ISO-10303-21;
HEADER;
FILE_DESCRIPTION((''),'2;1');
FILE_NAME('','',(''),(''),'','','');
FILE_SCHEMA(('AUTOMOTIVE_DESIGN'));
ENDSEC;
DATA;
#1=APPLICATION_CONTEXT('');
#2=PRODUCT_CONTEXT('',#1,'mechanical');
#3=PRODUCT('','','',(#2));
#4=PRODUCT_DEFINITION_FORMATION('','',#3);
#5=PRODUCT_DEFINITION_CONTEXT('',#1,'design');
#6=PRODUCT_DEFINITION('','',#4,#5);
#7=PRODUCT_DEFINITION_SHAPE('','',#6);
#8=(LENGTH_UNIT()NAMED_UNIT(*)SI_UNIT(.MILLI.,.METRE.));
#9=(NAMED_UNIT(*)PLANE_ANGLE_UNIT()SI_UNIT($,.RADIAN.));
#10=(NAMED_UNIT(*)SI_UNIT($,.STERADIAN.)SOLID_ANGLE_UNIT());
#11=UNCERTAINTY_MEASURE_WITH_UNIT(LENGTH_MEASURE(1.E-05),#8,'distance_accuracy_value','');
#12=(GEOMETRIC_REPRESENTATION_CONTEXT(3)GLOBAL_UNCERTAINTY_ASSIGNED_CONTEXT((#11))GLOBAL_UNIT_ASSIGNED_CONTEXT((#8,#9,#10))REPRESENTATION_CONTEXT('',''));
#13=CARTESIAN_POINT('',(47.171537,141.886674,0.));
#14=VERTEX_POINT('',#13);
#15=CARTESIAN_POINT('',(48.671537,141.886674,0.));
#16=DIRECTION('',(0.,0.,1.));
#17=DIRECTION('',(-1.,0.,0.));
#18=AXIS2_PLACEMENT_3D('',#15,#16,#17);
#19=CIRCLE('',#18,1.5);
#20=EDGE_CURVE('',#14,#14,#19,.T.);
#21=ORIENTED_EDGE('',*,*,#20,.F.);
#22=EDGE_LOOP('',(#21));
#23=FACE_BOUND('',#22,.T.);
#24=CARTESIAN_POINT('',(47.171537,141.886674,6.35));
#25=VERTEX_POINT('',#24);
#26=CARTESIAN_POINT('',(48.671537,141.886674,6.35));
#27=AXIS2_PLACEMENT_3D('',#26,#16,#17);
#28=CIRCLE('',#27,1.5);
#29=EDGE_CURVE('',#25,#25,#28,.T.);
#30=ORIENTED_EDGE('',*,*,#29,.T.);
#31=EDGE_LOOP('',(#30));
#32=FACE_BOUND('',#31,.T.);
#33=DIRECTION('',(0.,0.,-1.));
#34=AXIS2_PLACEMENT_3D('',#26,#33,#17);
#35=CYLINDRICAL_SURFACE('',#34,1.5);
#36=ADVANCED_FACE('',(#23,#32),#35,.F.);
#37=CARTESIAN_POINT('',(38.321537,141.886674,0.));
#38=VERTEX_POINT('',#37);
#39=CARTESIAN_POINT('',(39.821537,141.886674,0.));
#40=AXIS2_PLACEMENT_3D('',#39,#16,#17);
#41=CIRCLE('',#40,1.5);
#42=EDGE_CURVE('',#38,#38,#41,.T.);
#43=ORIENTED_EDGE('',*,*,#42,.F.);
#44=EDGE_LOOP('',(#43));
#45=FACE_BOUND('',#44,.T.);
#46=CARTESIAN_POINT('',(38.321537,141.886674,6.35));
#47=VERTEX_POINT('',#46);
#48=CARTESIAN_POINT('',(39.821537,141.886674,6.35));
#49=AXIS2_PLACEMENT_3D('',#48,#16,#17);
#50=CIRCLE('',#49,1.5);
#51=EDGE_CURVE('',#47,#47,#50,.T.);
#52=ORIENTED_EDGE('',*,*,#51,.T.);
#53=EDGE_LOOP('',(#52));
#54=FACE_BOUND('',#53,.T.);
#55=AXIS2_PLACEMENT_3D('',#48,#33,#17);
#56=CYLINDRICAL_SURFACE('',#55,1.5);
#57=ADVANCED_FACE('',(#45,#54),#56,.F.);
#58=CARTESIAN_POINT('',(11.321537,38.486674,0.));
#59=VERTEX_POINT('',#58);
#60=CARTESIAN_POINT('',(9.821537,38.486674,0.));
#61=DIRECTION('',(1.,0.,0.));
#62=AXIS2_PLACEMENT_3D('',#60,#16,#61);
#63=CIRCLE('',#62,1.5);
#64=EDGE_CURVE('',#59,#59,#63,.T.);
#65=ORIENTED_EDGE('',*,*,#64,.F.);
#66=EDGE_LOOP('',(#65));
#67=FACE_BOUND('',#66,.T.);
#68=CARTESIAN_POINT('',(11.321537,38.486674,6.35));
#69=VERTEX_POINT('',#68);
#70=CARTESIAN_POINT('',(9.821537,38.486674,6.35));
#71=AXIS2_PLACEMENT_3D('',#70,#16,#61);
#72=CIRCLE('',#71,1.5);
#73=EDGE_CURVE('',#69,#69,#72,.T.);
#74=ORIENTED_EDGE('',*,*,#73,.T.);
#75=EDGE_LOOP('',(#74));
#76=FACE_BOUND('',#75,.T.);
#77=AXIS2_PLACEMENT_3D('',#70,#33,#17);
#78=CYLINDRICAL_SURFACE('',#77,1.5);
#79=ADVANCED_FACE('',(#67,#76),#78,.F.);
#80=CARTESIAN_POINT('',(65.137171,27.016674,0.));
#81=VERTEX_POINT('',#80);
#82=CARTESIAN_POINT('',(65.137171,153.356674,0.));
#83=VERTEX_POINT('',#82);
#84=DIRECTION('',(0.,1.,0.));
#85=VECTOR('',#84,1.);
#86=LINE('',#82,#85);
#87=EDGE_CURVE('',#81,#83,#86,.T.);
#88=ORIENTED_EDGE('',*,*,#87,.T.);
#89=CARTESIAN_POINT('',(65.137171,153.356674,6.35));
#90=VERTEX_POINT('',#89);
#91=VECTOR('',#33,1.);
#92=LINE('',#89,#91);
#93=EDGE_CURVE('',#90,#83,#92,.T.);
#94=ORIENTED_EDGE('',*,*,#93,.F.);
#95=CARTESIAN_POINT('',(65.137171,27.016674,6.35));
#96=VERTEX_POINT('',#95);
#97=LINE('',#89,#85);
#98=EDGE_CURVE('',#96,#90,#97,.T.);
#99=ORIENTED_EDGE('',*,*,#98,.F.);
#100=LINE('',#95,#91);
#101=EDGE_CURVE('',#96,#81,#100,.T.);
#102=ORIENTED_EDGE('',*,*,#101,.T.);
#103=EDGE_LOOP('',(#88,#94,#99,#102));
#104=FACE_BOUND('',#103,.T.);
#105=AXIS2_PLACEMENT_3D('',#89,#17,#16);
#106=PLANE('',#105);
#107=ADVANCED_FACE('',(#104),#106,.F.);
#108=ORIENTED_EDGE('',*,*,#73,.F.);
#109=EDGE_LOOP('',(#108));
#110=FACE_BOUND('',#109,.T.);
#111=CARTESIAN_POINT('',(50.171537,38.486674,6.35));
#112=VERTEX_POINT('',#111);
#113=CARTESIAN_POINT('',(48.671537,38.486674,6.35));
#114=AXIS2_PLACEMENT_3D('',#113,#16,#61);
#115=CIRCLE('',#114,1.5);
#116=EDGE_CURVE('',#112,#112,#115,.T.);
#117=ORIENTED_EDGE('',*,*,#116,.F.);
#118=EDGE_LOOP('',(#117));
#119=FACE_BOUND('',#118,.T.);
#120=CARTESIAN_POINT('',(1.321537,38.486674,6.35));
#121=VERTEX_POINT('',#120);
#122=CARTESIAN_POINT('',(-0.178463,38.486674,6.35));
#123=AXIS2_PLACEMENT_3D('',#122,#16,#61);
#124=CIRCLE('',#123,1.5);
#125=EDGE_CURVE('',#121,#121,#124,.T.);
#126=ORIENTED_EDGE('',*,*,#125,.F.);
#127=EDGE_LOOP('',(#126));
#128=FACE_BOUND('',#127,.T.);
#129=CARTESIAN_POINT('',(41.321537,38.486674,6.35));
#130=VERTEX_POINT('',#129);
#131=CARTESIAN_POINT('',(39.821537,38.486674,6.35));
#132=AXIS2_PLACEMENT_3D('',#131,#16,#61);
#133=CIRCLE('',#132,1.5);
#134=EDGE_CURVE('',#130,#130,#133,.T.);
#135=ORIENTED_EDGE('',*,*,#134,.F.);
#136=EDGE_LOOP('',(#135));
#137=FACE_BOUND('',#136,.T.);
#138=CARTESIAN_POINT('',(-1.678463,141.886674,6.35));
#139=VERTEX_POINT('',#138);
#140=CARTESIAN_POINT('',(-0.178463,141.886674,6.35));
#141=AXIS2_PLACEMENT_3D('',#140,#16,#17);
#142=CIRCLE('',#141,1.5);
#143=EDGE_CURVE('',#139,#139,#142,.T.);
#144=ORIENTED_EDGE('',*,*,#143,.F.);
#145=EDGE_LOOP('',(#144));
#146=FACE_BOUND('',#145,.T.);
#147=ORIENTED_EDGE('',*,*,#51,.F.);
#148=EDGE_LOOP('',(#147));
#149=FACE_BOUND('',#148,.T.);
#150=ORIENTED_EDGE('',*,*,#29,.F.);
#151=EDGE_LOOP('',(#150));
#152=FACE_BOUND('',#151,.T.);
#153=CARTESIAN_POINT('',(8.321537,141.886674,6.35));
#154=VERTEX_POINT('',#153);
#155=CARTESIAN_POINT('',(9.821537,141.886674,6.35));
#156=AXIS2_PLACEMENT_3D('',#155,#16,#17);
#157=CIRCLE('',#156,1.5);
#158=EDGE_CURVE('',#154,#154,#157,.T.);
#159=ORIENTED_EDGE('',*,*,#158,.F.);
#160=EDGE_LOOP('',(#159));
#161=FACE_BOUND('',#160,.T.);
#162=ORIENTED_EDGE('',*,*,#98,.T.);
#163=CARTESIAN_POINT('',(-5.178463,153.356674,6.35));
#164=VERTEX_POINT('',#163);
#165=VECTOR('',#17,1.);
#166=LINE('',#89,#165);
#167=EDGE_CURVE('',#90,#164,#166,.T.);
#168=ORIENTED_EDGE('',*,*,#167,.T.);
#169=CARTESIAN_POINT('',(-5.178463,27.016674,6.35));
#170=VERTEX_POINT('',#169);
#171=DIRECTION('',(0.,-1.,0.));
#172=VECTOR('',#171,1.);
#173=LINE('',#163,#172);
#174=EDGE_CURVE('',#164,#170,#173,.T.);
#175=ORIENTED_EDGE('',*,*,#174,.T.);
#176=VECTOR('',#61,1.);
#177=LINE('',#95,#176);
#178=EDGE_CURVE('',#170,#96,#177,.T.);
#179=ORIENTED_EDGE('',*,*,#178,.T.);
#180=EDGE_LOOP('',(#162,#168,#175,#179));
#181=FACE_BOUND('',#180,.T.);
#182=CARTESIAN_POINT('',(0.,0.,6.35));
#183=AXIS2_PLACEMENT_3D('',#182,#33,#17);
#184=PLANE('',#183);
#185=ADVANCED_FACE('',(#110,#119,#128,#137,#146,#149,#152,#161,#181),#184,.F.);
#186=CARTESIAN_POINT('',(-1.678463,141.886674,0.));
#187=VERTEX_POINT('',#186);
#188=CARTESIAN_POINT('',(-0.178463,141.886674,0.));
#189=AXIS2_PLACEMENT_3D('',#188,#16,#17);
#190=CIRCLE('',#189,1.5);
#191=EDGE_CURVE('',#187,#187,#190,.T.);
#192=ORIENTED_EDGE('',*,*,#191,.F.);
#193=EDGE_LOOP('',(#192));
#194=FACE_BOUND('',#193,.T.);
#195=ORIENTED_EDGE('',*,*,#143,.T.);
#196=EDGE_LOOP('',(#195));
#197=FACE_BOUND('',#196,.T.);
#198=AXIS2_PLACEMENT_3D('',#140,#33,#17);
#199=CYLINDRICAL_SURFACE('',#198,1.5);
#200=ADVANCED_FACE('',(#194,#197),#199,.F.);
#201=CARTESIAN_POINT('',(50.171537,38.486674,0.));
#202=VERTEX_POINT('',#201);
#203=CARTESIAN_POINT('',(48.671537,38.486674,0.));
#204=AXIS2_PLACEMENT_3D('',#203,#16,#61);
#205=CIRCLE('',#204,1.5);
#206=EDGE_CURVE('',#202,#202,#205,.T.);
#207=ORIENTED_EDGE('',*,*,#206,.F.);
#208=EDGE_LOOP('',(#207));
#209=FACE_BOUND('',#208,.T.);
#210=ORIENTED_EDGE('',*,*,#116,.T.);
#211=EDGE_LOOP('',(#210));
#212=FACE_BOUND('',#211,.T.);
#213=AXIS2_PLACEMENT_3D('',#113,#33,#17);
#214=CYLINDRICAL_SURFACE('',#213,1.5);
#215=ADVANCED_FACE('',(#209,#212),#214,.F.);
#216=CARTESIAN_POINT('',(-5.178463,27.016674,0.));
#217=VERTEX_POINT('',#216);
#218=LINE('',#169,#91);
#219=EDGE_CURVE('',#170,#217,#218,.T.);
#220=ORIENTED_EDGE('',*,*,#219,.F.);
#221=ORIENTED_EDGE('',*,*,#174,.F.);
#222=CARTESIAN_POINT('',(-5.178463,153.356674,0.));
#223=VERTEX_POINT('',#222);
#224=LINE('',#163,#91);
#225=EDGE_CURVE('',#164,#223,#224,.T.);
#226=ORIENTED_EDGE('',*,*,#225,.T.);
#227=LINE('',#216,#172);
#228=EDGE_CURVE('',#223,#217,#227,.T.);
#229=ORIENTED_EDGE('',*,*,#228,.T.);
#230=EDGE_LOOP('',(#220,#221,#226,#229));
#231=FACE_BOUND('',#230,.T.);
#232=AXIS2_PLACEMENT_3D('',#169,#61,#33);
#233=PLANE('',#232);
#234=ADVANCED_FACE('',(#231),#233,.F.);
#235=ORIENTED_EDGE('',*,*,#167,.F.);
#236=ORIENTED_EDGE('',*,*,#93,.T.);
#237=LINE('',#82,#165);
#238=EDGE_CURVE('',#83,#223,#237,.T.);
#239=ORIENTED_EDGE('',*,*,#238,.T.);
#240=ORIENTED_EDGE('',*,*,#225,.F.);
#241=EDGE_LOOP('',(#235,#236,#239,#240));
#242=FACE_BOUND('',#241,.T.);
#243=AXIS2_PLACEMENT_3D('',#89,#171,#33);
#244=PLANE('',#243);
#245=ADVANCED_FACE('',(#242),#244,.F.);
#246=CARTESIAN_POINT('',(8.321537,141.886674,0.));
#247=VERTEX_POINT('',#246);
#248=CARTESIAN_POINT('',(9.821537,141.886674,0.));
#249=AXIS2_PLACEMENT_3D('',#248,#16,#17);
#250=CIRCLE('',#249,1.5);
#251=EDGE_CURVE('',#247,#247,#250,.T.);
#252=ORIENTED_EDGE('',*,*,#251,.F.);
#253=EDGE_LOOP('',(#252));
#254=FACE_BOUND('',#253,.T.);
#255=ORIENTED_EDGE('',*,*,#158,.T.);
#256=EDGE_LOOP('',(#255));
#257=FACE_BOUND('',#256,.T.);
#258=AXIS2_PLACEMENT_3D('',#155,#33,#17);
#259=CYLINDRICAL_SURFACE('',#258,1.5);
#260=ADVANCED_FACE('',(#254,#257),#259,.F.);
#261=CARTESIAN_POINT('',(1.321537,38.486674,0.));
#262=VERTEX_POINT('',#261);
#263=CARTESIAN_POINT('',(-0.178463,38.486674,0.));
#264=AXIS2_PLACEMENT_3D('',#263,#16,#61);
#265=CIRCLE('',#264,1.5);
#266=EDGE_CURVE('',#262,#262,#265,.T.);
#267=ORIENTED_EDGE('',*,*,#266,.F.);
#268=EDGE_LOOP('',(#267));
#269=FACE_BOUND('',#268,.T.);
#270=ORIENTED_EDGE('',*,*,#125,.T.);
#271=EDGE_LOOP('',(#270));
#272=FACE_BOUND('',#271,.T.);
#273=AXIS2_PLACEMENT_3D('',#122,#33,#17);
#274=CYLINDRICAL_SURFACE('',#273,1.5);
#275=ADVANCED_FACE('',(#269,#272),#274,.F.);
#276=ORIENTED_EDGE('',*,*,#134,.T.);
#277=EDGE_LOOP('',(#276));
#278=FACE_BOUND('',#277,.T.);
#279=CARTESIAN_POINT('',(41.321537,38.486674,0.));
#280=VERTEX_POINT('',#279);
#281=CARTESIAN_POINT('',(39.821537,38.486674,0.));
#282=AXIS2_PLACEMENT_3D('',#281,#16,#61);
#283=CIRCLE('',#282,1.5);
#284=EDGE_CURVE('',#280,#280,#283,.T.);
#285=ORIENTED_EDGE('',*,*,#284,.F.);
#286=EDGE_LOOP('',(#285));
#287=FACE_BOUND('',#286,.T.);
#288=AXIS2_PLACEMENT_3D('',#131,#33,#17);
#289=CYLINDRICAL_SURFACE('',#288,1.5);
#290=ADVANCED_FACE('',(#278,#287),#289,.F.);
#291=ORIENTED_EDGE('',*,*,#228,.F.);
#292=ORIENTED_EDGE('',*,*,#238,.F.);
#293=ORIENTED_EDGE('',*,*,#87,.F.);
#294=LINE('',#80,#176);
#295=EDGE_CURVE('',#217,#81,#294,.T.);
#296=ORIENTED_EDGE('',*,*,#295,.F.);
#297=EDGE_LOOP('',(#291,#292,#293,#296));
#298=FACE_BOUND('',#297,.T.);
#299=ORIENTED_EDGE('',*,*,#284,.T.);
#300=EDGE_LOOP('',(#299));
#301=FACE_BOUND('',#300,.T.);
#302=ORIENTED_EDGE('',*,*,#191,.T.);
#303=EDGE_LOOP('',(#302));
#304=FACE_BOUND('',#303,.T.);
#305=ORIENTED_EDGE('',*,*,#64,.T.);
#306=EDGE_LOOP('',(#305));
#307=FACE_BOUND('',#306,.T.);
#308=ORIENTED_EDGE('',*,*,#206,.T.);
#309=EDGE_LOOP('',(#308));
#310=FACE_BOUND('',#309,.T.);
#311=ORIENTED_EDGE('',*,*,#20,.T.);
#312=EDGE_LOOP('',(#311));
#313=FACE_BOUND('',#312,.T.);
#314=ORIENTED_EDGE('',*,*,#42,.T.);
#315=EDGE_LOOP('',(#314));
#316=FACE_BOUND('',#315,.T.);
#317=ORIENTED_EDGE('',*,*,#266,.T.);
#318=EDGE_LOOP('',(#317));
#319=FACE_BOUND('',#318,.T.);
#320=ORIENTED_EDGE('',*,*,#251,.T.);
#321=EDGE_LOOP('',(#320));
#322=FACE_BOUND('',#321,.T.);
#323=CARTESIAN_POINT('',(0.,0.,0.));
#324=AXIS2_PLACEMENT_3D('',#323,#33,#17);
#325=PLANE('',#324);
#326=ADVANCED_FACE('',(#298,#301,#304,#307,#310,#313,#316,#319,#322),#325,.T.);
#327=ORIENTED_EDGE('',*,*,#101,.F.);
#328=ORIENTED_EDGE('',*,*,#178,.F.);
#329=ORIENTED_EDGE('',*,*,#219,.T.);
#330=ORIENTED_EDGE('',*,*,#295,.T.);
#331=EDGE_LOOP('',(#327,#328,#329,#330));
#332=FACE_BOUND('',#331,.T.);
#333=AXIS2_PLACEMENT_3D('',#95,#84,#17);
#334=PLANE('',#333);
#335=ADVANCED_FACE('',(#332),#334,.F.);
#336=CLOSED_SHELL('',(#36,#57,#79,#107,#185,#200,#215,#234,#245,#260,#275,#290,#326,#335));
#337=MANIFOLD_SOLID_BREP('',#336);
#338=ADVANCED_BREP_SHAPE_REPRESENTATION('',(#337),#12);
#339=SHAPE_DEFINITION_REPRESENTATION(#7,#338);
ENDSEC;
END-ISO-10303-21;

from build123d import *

# Parameters (mm, degrees)
SKETCH2_R           = 1.5
BOSS_EXTRUDE3_DEPTH = 6.35


with BuildPart() as part:
    # Sketch2 → Boss-Extrude3 (new body)
    with BuildSketch(Plane.XY):
        Polygon((-5.178463077, 27.016673705), (-5.178463077, 43.486673705), (-5.178463077, 136.886673705), (-5.178463077, 153.356673705), (65.137170919, 153.356673705), (65.137170919, 27.016673705), align=None)
        with Locations((39.821536923, 38.486673705)):
            Circle(SKETCH2_R, mode=Mode.SUBTRACT)
        with Locations((9.821536923, 38.486673705)):
            Circle(SKETCH2_R, mode=Mode.SUBTRACT)
        with Locations((-0.178463077, 38.486673705)):
            Circle(SKETCH2_R, mode=Mode.SUBTRACT)
        with Locations((48.671536923, 38.486673705)):
            Circle(SKETCH2_R, mode=Mode.SUBTRACT)
        with Locations(Location((48.671536923, 141.886673705, 0), (0, 0, 180))):
            Circle(SKETCH2_R, mode=Mode.SUBTRACT)
        with Locations(Location((-0.178463077, 141.886673705, 0), (0, 0, 180))):
            Circle(SKETCH2_R, mode=Mode.SUBTRACT)
        with Locations(Location((9.821536923, 141.886673705, 0), (0, 0, 180))):
            Circle(SKETCH2_R, mode=Mode.SUBTRACT)
        with Locations(Location((39.821536923, 141.886673705, 0), (0, 0, 180))):
            Circle(SKETCH2_R, mode=Mode.SUBTRACT)
    extrude(amount=BOSS_EXTRUDE3_DEPTH)


solid = part.part
